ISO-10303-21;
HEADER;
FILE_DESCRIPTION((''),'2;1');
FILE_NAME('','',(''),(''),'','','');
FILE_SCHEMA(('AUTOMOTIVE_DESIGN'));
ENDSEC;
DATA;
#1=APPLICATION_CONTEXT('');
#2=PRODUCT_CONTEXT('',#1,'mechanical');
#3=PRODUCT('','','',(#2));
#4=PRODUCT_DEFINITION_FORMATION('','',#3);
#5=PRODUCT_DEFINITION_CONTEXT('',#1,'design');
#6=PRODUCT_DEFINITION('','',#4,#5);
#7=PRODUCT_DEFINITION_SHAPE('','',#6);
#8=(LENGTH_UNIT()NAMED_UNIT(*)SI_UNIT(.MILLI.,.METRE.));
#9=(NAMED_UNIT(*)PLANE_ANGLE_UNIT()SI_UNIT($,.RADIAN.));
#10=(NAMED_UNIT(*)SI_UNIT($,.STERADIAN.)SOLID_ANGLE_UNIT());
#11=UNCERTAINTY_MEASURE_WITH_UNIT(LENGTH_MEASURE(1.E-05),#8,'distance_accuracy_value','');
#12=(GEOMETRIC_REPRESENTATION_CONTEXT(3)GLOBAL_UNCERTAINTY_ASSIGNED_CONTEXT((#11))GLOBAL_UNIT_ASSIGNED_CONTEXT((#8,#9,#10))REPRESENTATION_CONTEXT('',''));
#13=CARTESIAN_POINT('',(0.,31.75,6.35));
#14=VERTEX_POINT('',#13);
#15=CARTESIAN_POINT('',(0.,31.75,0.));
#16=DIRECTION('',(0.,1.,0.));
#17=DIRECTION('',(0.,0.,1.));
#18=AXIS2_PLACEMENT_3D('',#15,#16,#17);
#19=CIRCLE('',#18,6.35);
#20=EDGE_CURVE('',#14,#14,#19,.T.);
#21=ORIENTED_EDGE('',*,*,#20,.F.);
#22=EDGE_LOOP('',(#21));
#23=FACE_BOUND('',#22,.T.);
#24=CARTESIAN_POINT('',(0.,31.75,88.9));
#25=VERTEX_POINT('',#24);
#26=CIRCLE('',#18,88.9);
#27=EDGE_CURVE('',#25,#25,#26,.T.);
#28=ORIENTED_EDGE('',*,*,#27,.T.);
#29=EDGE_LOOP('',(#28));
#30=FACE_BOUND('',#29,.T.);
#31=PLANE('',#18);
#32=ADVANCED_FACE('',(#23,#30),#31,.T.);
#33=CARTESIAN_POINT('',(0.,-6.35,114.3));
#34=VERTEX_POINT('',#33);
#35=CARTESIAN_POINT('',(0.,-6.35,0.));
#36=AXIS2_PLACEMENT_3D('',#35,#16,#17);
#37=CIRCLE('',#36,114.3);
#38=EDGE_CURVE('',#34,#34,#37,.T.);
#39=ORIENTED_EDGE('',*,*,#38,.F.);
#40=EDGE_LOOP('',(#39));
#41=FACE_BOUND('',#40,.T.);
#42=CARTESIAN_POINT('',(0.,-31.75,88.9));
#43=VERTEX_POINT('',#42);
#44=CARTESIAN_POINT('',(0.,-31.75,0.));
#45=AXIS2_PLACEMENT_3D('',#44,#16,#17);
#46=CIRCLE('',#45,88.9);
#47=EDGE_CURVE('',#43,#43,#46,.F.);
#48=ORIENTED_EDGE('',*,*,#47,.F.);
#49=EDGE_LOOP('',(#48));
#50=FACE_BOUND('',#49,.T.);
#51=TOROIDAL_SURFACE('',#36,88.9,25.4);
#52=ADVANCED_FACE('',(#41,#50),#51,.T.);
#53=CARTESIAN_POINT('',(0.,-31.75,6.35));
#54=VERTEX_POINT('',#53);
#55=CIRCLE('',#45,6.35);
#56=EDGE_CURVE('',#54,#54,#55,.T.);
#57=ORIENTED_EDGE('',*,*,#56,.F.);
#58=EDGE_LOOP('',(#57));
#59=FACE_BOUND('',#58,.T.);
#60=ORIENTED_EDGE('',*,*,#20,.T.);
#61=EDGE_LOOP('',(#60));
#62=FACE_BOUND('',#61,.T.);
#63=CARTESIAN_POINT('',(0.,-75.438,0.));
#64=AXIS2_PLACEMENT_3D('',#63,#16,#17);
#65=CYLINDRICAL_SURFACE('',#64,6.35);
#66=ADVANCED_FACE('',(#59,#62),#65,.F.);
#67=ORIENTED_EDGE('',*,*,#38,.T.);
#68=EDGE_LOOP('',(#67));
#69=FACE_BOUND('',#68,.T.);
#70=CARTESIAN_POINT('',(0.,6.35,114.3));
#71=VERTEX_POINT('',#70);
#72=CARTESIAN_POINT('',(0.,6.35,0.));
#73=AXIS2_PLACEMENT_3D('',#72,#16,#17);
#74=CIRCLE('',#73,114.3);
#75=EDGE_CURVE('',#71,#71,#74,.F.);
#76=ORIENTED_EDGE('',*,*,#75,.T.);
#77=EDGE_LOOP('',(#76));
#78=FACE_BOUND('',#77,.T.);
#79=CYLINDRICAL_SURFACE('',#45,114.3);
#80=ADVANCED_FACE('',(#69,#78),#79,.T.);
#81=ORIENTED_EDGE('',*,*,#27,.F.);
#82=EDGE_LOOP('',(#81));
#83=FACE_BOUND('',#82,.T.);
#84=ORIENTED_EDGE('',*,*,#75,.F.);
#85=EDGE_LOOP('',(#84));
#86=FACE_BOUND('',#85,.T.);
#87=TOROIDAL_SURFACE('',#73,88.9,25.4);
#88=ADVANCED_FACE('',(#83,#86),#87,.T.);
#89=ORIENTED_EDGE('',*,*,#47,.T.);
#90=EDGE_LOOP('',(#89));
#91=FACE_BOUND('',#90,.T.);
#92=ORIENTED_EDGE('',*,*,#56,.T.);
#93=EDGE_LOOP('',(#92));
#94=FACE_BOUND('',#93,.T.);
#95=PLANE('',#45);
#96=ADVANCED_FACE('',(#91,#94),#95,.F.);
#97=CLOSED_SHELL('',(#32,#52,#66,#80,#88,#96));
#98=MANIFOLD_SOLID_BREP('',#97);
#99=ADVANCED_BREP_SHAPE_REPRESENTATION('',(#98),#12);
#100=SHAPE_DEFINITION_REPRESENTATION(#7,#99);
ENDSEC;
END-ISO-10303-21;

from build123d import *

# Parameters (mm, degrees)
BOSS_EXTRUDE1_DEPTH      = 31.75
BOSS_EXTRUDE1_DEPTH_BACK = 31.75
SKETCH1_R                = 114.3
FILLET1_R                = 25.4
SKETCH2_R                = 6.35
CUT_EXTRUDE1_DEPTH       = 107.188


with BuildPart() as part:
    # Sketch1 → Boss-Extrude1 (new, two sides: drawn at the far end of the back side and taken through both)
    with BuildSketch(Plane(origin=(0, 0, 0), x_dir=(1, 0, 0), z_dir=(0, 1, 0)).offset(-BOSS_EXTRUDE1_DEPTH_BACK)):
        Circle(SKETCH1_R)
    extrude(amount=BOSS_EXTRUDE1_DEPTH + BOSS_EXTRUDE1_DEPTH_BACK)

    # Fillet1
    fillet1_edges = [part.edges().sort_by_distance(p)[0] for p in [
        (-114.3, -31.75, 0),
        (-114.3, 31.75, 0),
    ]]
    fillet(fillet1_edges, radius=FILLET1_R)

    # Sketch2 → Cut-Extrude1 (cut)
    with BuildSketch(Plane(origin=(0, 31.75, 0), x_dir=(1, 0, 0), z_dir=(0, 1, 0))):
        Circle(SKETCH2_R)
    extrude(amount=-CUT_EXTRUDE1_DEPTH, mode=Mode.SUBTRACT)


solid = part.part
